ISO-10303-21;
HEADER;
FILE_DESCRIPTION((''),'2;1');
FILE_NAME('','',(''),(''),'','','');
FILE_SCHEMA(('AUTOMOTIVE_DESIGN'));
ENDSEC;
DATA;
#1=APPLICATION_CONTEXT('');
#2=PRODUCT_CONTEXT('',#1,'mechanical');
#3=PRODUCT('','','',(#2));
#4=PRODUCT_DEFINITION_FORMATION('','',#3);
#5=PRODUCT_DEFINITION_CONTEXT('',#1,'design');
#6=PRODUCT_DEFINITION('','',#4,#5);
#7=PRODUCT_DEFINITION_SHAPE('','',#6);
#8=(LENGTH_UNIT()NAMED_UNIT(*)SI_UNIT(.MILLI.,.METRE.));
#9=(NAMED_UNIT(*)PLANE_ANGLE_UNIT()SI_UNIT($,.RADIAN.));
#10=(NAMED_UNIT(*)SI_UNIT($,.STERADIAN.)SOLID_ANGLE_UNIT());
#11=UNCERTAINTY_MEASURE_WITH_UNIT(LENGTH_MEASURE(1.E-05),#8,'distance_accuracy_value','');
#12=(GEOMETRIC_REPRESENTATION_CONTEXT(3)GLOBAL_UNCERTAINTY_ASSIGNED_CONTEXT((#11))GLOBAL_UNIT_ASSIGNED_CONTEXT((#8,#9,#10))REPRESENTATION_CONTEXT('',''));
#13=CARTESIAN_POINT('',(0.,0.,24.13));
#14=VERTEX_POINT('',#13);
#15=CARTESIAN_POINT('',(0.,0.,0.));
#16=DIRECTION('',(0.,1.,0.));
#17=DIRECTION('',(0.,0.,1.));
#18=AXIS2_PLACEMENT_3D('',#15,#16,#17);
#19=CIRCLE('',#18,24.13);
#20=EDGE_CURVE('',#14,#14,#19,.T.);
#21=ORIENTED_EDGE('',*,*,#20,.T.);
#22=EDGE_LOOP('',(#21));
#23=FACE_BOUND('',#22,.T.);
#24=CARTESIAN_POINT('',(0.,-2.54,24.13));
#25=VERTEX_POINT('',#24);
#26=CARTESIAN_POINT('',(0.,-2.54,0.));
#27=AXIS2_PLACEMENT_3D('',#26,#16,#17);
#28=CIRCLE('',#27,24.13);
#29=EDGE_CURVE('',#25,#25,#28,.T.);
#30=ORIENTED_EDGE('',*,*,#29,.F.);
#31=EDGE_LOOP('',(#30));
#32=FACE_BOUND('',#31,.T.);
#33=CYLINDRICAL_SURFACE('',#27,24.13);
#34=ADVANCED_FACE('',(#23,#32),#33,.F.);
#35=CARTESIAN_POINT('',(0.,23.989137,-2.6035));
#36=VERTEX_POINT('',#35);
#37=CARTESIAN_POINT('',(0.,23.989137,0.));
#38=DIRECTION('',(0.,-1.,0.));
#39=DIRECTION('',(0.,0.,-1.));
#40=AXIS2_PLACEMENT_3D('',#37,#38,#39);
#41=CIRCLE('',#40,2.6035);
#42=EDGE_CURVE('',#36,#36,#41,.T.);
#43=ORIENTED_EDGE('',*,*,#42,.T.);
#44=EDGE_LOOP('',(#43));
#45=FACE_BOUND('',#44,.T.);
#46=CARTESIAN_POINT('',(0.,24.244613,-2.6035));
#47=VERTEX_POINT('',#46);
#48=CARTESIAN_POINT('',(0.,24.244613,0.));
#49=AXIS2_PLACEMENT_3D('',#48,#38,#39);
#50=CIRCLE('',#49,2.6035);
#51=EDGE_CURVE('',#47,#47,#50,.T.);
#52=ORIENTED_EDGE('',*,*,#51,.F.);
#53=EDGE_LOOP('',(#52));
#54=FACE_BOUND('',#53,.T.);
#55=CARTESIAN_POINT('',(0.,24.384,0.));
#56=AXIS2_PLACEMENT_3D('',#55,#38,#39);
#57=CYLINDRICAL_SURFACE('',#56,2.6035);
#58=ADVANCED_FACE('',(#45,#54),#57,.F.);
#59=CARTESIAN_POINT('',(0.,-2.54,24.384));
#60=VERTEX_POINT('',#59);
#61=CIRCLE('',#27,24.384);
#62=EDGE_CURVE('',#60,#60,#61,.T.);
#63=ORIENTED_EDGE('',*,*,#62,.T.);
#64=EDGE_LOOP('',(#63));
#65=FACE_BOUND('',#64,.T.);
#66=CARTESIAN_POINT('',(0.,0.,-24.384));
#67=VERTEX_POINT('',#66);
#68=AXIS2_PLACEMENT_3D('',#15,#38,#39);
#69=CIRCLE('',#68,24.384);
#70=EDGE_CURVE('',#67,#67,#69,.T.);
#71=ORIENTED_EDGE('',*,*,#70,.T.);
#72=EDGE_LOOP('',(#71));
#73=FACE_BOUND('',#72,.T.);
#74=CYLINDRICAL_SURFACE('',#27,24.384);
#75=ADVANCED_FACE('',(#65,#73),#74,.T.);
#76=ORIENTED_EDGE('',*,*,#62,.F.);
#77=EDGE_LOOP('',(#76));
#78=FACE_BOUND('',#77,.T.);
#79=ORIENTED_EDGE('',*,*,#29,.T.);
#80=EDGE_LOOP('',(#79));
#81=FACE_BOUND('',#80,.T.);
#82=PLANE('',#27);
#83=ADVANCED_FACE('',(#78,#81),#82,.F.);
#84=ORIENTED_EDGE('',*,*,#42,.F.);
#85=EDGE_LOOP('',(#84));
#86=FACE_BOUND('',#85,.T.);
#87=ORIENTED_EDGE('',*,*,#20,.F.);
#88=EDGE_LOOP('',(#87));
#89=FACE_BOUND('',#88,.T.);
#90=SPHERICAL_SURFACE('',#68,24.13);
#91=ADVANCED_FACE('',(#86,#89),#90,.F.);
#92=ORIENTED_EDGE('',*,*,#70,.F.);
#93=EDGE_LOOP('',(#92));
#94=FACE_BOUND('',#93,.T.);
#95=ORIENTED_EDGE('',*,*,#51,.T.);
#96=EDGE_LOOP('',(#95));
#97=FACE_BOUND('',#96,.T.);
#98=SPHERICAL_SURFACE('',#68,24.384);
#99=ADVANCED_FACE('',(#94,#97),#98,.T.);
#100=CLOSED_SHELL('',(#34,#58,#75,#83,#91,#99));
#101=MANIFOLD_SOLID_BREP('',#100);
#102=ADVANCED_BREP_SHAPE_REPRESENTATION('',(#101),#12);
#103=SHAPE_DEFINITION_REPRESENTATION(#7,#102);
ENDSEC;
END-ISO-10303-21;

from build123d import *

# Parameters (mm, degrees)
SKETCH3_R           = 2.6035
CUT_EXTRUDE1_DEPTH  = 25.384
SKETCH4_R           = 24.384
SKETCH4_R_2         = 24.13
BOSS_EXTRUDE1_DEPTH = 2.54


with BuildPart() as part:
    # Sketch2 → Revolve1 (revolve)
    with BuildSketch(Plane(origin=(0, 0, 0), x_dir=(0, 0, -1), z_dir=(1, 0, 0))):
        with BuildLine():
            Line((24.13, 0), (24.384, 0))
            ThreePointArc((24.384, 0), (17.242091752, 17.242091752), (0, 24.384))
            Line((0, 24.384), (0, 24.13))
            ThreePointArc((0, 24.13), (17.06248663, 17.06248663), (24.13, 0))
        make_face()
    revolve(axis=Axis((0, 0, 0), (0, 1, 0)))

    # Sketch3 → Cut-Extrude1 (cut, through all)
    with BuildSketch(Plane(origin=(0, 0, 0), x_dir=(1, 0, 0), z_dir=(0, 1, 0))):
        Circle(SKETCH3_R)
    extrude(amount=CUT_EXTRUDE1_DEPTH, mode=Mode.SUBTRACT)

    # Sketch4 → Boss-Extrude1 (add)
    with BuildSketch(Plane(origin=(0, 0, 0), x_dir=(1, 0, 0), z_dir=(0, 1, 0))):
        Circle(SKETCH4_R)
        Circle(SKETCH4_R_2, mode=Mode.SUBTRACT)
    extrude(amount=-BOSS_EXTRUDE1_DEPTH)


solid = part.part
